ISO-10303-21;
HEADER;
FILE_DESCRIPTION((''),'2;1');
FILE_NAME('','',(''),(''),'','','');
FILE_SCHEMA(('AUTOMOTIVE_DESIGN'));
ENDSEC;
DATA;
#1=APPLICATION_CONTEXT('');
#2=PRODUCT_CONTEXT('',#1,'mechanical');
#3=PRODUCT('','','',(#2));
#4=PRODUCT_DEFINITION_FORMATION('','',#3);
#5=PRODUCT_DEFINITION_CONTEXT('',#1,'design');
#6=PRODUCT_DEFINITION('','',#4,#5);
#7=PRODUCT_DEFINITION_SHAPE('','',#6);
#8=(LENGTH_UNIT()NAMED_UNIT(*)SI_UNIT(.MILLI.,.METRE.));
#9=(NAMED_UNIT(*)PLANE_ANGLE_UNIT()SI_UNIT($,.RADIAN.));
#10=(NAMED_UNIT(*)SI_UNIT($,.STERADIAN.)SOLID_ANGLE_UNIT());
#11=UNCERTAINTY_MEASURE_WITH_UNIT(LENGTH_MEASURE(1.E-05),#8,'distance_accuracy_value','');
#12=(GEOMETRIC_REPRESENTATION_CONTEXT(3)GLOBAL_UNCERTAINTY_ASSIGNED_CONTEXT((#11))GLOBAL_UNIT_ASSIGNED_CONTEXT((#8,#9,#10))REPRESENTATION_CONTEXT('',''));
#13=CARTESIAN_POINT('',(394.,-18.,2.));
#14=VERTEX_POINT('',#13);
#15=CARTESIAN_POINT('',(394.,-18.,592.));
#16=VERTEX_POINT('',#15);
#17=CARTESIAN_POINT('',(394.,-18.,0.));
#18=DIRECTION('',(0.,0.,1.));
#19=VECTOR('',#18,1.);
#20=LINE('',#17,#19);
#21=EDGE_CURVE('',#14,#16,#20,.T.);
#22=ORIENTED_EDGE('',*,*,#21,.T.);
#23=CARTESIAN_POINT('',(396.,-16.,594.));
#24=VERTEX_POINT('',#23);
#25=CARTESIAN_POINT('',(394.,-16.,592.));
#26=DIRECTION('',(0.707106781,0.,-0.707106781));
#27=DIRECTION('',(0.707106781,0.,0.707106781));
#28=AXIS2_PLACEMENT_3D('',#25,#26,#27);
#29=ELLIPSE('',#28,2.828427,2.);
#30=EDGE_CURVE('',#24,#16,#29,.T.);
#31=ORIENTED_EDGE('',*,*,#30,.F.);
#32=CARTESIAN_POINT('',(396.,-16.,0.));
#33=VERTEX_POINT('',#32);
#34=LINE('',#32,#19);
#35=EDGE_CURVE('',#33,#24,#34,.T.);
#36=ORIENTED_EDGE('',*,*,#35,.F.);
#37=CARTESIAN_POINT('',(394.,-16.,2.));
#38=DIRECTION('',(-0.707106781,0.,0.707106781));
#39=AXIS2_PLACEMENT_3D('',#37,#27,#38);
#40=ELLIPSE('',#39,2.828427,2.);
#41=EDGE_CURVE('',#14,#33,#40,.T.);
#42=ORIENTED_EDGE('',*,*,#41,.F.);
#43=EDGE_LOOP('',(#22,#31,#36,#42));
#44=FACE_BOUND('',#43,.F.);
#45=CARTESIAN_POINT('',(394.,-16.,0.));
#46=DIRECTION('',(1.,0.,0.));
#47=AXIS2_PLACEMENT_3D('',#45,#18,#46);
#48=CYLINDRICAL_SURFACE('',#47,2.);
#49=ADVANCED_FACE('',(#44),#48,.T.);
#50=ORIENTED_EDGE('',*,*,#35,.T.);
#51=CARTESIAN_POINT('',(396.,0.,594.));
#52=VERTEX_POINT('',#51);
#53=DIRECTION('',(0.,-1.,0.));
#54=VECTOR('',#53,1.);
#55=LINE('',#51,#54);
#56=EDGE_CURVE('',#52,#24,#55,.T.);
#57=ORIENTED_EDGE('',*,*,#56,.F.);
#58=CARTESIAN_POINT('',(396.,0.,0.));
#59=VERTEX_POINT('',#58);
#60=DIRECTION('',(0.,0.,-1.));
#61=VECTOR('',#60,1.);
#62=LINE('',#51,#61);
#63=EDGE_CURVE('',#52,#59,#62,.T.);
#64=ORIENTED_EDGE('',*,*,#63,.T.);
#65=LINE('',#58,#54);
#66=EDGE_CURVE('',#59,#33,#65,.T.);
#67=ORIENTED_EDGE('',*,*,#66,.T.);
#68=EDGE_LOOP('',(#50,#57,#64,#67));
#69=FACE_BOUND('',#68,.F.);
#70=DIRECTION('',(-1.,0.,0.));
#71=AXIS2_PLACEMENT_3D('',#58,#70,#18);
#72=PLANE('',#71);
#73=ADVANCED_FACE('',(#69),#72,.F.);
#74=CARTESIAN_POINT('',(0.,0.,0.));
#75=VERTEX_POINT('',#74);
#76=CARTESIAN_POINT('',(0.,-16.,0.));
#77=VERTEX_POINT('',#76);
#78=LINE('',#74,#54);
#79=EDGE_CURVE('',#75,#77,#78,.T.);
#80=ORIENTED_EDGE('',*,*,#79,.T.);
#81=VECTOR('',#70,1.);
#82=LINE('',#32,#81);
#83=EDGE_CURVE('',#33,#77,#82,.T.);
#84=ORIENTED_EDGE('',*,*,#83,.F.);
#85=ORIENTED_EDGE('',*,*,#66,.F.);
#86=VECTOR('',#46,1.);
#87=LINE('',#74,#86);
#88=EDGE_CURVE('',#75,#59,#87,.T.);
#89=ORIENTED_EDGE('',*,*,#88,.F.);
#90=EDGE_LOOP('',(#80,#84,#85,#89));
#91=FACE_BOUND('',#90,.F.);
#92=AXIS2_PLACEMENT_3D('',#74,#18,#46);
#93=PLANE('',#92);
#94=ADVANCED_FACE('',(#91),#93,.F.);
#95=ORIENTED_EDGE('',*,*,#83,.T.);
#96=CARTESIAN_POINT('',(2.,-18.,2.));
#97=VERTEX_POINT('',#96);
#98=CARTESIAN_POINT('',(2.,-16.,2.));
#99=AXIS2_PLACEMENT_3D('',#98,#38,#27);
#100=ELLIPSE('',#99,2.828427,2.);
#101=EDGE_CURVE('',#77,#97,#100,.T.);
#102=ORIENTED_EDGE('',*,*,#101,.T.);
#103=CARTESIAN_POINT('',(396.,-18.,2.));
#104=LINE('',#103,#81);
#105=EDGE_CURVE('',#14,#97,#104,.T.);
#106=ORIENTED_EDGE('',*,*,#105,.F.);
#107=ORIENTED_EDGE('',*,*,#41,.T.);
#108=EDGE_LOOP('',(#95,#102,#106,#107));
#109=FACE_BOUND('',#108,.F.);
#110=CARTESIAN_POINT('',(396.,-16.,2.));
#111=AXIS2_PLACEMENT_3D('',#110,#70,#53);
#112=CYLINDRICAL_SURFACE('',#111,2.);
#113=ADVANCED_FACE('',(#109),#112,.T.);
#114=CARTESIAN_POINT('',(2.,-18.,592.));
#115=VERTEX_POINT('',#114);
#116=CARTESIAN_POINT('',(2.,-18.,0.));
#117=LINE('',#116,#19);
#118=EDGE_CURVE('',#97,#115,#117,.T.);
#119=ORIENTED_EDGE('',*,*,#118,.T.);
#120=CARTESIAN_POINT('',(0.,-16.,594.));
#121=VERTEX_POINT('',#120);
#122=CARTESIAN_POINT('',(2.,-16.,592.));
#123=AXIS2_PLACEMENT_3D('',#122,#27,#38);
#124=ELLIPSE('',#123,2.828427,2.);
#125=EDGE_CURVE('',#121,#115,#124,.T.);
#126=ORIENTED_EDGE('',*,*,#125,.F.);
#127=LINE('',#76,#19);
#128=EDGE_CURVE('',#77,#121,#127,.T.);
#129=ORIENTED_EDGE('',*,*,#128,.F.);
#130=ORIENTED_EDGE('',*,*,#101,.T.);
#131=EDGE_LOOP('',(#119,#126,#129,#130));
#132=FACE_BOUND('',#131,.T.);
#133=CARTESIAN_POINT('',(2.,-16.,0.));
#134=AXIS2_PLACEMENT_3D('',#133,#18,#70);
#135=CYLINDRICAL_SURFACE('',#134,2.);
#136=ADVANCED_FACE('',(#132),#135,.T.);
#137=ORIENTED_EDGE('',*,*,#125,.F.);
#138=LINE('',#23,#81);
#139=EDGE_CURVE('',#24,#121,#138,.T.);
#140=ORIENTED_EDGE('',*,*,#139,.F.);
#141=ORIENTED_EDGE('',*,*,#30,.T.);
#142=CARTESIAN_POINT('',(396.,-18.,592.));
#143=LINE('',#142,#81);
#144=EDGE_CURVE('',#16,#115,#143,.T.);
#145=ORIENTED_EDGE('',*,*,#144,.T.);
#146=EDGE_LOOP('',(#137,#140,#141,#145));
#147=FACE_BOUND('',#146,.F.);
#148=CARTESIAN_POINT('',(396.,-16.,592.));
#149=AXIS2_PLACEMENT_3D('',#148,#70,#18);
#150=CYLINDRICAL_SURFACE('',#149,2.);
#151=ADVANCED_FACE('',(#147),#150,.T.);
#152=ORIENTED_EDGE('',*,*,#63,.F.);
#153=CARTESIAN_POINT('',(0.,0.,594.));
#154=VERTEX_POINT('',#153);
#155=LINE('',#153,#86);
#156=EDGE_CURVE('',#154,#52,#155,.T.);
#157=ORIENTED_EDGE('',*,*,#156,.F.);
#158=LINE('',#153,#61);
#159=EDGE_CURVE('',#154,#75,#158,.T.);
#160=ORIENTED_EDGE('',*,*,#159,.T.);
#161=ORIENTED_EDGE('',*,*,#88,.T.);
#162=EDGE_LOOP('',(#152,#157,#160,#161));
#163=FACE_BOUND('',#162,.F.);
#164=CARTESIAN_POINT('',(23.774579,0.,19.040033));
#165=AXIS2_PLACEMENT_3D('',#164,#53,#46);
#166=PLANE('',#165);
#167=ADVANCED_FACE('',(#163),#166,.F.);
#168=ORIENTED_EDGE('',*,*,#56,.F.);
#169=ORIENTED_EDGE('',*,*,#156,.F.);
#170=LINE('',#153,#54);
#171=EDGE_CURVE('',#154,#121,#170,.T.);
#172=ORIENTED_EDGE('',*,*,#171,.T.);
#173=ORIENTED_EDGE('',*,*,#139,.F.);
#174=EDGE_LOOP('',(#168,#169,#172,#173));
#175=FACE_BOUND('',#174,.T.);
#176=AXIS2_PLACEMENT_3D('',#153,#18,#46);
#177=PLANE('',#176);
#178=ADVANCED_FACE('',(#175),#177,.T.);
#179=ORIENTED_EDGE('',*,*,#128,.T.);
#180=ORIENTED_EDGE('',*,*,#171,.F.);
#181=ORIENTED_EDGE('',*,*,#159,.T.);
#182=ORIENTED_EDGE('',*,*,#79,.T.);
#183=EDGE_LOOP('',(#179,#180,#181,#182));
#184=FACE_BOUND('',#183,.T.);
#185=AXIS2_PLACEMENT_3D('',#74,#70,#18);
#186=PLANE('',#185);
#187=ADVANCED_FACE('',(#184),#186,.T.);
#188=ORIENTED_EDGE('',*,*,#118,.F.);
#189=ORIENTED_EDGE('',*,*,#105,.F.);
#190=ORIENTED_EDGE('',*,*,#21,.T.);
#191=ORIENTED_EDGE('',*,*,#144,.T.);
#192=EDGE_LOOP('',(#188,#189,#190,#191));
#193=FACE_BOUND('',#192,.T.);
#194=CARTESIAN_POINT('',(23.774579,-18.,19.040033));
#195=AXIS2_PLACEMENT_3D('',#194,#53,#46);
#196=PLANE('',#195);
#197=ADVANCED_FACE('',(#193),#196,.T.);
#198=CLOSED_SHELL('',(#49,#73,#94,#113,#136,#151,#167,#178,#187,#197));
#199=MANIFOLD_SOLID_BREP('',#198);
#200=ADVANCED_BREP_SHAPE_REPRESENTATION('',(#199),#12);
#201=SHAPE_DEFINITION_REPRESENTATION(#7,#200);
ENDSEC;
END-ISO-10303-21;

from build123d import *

# Parameters (mm, degrees)
F0_W     = 47.5491583347
F0_H     = 38.0800664425
F1_DEPTH = 18
F2_DEPTH = 396
F3_DEPTH = 594
F4_R     = 2


with BuildPart() as f1:
    # F0 (on Front) → F1 (new body)
    with BuildSketch(Plane.XZ):
        with Locations((23.7745791674, 19.0400332212)):
            Rectangle(F0_W, F0_H)
    extrude(amount=F1_DEPTH)

    # F2 (add): a face of the model
    f2_faces = [f1.faces().sort_by_distance(p)[0] for p in [
        (0, -9, 19.0400332212),
    ]]
    extrude(f2_faces, amount=-F2_DEPTH)

    # F3 (add): a face of the model
    f3_faces = [f1.faces().sort_by_distance(p)[0] for p in [
        (198, -9, 0),
    ]]
    extrude(f3_faces, amount=-F3_DEPTH)

    # F4
    f4_edges = [f1.edges().sort_by_distance(p)[0] for p in [
        (0, -18, 297),
        (198, -18, 0),
        (396, -18, 297),
        (198, -18, 594),
    ]]
    fillet(f4_edges, radius=F4_R)


solid = f1.part
